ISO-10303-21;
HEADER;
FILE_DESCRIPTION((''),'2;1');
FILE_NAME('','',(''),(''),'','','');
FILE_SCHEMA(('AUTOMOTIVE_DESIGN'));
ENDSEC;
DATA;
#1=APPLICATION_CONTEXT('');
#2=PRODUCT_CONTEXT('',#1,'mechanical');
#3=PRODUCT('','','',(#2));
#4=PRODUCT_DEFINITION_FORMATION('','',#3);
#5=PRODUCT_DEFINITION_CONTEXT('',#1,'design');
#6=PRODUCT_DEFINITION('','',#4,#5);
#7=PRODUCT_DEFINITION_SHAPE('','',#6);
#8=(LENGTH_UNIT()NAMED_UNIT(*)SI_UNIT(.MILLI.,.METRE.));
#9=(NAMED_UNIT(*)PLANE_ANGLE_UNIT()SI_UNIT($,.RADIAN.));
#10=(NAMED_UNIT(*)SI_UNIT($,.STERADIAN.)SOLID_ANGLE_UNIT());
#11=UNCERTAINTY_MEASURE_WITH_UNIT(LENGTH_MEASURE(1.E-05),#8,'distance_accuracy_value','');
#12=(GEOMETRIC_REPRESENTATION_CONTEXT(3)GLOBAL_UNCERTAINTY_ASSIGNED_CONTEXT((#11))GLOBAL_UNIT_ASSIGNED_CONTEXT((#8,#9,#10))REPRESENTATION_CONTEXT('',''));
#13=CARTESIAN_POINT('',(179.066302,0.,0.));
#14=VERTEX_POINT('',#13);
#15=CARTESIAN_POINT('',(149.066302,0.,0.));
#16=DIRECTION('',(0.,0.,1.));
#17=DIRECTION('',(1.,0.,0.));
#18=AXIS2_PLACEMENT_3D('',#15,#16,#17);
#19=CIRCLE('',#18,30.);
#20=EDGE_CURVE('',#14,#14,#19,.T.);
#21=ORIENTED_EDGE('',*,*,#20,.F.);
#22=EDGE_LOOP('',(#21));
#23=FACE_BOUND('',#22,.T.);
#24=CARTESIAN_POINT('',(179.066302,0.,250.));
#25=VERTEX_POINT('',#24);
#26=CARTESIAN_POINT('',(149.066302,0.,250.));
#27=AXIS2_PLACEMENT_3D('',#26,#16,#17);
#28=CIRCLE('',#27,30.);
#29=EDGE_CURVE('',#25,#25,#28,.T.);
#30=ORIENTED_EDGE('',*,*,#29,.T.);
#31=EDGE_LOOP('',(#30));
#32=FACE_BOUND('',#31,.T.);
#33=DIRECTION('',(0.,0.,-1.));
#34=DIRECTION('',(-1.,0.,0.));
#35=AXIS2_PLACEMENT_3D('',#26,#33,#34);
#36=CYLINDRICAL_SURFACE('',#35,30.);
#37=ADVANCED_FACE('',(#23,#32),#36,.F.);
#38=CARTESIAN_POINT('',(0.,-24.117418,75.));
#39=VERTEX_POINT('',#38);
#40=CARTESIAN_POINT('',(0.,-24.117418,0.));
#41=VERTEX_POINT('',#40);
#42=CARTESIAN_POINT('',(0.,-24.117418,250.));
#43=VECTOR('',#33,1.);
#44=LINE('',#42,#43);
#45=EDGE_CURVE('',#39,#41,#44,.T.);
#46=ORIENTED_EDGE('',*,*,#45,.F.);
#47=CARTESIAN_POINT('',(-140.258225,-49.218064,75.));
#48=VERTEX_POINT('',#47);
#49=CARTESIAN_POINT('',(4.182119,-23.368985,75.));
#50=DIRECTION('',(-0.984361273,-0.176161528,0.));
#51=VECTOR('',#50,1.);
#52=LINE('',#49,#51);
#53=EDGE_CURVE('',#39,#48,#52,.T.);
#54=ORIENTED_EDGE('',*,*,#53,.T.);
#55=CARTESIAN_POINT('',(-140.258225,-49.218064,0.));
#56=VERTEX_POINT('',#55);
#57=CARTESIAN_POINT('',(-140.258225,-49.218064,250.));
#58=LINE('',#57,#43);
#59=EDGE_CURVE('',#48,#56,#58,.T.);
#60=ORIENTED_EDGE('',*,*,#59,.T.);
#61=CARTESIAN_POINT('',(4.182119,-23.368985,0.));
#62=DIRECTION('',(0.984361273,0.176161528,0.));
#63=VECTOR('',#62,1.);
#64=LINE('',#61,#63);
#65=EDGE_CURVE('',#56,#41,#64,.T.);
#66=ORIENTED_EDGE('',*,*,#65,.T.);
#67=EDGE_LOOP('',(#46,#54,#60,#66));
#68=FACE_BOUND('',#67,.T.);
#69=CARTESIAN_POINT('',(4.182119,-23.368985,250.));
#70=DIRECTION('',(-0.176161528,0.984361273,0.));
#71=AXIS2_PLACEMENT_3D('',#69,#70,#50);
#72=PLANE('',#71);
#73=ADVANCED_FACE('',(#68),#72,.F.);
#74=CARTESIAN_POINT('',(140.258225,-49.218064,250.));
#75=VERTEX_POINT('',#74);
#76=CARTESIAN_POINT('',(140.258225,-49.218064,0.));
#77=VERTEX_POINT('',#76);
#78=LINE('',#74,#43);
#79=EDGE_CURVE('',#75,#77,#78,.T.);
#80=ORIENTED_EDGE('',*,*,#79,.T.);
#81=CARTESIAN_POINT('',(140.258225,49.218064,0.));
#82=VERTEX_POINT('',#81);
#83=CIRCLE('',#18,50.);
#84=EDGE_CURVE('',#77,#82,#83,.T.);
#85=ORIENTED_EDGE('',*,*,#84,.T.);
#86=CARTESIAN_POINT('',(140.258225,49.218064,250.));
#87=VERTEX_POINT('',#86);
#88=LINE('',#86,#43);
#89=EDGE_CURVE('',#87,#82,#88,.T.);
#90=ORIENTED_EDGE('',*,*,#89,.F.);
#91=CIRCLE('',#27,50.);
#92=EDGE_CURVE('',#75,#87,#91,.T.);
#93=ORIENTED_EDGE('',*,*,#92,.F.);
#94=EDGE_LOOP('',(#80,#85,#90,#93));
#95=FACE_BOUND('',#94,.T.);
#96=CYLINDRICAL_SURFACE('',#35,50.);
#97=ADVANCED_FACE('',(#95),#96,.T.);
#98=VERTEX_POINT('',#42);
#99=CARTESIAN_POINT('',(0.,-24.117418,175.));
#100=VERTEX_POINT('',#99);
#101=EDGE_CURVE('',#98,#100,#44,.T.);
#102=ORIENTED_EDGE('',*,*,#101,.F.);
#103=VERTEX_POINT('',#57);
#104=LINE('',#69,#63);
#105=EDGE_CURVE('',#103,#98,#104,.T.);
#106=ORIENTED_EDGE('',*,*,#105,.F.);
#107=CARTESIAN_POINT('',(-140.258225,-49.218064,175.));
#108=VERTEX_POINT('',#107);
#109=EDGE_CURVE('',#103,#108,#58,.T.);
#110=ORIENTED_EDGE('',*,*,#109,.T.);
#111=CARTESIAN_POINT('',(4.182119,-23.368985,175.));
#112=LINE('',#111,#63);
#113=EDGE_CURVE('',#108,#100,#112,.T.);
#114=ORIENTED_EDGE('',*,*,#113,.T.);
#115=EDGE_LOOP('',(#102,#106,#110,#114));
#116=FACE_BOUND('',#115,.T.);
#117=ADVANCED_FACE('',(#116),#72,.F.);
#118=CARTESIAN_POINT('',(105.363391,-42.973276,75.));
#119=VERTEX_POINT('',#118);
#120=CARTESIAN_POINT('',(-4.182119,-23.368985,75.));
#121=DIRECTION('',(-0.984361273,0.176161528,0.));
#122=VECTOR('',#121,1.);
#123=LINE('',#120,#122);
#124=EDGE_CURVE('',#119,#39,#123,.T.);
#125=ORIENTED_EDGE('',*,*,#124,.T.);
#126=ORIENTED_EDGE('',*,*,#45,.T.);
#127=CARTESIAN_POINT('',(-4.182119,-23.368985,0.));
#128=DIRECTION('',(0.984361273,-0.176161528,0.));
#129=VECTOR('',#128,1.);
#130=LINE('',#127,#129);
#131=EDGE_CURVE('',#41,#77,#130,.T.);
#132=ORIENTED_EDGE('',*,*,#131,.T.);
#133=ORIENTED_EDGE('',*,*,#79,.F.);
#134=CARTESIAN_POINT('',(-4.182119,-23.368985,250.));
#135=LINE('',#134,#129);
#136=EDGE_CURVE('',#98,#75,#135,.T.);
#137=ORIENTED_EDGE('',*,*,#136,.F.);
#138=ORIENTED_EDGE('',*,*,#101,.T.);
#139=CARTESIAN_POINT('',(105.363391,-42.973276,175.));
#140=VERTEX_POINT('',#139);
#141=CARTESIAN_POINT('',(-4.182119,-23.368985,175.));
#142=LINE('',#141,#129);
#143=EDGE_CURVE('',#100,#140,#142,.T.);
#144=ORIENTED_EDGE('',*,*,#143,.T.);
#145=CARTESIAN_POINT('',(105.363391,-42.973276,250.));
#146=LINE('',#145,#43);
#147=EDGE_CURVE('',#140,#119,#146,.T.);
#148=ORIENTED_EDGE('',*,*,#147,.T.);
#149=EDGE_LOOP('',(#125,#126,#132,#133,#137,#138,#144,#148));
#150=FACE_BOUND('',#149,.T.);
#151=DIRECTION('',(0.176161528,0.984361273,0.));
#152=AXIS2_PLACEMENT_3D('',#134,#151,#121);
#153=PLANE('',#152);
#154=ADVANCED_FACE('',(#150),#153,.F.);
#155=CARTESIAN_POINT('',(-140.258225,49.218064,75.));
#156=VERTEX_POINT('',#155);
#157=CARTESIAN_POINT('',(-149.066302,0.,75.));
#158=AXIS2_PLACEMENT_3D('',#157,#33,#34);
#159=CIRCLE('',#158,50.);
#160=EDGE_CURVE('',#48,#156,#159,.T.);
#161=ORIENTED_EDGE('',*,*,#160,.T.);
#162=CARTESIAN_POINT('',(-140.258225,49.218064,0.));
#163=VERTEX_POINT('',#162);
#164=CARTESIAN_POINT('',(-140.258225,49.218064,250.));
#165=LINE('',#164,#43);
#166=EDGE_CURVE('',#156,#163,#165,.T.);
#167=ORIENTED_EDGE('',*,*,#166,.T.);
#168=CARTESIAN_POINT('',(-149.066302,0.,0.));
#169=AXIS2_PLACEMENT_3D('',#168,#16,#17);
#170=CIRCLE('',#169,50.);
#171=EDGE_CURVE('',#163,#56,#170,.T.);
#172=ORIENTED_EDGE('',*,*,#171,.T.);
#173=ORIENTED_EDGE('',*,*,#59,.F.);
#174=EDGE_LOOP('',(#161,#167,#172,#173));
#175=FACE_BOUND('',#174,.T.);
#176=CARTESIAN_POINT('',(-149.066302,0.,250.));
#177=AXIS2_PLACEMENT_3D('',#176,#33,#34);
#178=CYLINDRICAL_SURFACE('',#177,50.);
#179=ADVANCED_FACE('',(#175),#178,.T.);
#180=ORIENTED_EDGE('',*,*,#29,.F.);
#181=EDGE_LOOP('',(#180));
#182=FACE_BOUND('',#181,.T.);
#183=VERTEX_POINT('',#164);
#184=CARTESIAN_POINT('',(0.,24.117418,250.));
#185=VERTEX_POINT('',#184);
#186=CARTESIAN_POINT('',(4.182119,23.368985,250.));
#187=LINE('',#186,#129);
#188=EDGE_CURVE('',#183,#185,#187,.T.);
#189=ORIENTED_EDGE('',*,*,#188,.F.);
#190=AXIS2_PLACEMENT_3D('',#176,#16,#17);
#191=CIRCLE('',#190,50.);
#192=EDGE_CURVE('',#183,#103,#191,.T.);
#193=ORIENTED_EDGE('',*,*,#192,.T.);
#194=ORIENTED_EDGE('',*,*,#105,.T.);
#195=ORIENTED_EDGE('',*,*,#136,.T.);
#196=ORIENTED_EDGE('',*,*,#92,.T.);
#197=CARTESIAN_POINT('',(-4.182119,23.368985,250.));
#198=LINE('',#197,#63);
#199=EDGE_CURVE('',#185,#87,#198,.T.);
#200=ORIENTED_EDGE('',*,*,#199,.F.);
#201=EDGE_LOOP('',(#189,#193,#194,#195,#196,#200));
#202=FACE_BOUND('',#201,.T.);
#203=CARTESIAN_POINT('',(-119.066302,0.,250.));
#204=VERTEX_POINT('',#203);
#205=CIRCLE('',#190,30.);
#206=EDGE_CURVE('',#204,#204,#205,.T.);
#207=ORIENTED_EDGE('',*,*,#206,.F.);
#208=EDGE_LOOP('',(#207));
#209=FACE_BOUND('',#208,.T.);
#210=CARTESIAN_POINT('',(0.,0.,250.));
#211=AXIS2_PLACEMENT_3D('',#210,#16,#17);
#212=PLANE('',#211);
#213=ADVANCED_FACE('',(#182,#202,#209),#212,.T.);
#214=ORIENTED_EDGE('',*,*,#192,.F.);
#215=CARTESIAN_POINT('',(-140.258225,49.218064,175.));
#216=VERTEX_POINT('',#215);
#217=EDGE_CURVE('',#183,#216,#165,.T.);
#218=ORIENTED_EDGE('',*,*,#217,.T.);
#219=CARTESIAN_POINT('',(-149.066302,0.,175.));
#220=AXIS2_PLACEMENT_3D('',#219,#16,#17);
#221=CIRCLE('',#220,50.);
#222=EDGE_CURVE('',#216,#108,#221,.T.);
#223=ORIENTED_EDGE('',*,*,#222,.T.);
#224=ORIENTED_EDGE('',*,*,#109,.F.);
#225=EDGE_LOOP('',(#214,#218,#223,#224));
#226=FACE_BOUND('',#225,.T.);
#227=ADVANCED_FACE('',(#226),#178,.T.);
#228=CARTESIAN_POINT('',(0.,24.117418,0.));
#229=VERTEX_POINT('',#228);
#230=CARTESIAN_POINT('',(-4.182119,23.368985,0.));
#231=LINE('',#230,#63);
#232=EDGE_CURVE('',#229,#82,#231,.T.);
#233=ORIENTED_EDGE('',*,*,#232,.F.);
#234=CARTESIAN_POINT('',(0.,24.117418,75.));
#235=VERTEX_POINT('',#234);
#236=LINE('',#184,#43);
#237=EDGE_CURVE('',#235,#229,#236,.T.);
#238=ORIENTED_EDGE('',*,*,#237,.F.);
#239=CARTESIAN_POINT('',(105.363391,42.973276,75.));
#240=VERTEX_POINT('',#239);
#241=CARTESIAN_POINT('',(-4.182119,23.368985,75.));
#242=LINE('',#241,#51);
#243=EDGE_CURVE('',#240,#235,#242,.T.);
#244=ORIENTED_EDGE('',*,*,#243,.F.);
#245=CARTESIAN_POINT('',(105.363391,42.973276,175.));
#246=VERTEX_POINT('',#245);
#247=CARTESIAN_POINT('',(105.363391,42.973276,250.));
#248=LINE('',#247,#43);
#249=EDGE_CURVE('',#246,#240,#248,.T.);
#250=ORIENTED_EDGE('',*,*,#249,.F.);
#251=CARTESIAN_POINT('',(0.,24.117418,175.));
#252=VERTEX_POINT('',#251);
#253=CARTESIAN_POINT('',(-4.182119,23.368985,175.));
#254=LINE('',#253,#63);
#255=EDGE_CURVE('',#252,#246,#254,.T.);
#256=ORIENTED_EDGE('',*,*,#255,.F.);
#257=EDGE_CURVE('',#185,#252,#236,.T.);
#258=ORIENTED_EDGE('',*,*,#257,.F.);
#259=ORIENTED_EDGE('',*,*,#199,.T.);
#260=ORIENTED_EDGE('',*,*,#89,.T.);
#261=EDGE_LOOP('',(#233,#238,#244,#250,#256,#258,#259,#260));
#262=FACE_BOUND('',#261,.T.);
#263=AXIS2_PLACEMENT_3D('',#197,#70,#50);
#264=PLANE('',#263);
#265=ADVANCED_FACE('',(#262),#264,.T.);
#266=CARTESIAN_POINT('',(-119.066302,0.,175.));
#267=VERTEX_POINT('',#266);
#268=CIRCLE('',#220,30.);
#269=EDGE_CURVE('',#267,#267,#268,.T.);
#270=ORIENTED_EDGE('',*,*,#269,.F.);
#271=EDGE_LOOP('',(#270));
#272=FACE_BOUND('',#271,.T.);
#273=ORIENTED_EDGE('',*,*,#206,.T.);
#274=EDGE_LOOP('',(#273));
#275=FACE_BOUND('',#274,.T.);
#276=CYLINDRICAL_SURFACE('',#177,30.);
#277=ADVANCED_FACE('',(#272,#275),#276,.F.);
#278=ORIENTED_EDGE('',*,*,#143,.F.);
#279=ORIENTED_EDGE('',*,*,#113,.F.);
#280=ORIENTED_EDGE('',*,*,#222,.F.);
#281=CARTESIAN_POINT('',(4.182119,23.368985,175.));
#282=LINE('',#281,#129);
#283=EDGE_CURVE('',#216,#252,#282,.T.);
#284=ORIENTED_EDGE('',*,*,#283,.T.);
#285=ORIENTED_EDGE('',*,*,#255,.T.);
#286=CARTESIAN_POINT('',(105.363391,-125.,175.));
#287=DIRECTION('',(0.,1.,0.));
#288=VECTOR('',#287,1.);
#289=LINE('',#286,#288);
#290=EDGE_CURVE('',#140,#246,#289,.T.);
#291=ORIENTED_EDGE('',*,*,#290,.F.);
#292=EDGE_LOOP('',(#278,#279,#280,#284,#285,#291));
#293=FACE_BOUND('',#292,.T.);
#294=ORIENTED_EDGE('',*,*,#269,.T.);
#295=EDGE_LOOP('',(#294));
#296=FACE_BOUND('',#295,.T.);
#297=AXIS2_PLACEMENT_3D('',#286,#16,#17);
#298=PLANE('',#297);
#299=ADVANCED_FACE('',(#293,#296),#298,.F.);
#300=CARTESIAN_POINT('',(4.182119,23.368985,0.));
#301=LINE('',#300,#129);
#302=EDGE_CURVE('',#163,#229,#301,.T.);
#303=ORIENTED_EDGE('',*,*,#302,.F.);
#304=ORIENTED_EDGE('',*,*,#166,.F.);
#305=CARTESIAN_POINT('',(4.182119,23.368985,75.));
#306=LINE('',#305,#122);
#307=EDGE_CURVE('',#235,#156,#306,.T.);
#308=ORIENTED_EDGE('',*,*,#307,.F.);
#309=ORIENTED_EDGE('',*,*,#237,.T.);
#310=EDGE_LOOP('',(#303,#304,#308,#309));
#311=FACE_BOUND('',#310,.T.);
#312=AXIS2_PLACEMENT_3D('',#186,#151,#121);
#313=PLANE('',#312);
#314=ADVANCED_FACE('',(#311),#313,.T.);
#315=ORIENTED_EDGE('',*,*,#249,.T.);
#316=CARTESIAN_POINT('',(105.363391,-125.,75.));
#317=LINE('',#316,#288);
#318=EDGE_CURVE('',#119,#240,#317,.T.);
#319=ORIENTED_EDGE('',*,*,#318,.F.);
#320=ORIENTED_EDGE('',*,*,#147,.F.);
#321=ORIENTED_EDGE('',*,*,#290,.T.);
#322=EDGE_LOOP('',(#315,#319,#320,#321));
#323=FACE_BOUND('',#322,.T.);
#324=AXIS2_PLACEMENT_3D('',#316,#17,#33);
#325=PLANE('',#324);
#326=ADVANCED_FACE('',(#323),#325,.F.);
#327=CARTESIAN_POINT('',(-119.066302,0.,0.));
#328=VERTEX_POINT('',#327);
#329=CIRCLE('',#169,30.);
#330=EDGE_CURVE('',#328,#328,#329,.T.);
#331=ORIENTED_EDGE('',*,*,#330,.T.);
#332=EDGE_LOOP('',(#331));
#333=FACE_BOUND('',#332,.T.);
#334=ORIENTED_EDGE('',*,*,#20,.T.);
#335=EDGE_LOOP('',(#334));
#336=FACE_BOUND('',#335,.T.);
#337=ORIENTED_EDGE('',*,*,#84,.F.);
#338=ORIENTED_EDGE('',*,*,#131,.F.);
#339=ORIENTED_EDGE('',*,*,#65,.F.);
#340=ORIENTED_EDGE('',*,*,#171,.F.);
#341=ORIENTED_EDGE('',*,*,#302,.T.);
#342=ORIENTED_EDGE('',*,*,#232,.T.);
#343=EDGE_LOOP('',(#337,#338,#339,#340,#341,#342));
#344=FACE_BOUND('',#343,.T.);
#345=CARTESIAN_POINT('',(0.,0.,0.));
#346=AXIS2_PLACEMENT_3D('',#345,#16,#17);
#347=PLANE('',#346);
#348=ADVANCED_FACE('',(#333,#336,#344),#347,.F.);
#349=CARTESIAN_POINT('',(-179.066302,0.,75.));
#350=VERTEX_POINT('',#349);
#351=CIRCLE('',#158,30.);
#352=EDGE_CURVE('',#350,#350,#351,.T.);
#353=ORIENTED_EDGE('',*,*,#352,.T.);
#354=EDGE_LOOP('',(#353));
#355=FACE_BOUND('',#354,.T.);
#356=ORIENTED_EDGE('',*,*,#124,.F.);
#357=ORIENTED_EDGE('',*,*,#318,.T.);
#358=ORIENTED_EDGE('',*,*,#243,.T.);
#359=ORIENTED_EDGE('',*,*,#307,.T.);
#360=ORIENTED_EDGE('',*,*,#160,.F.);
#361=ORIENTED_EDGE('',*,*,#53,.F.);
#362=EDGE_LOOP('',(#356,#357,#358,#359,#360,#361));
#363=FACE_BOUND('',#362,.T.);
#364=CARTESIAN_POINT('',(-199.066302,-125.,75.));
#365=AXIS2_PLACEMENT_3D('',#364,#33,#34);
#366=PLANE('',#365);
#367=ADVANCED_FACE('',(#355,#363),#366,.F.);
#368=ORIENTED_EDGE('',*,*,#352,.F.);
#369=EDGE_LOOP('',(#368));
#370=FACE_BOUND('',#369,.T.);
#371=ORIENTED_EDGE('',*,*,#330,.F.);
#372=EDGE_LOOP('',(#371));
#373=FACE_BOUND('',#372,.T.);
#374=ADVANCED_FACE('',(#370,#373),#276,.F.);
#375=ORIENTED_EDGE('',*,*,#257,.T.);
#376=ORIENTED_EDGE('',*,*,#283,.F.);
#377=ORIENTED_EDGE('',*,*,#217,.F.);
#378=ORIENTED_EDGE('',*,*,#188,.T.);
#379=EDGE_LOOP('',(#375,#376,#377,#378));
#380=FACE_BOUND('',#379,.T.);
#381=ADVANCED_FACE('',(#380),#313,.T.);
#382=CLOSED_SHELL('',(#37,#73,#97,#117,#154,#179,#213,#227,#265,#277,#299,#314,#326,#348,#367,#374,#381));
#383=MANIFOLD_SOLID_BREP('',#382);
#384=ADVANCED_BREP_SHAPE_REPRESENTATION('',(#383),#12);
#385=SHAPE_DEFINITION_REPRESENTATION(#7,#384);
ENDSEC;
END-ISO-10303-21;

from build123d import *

# Parameters (mm, degrees)
SKETCH1_R           = 50
SKETCH1_R_2         = 30
BOSS_EXTRUDE1_DEPTH = 250
CUT_EXTRUDE1_DEPTH  = 125


with BuildPart() as part:
    # Sketch1 → Boss-Extrude1 (new body)
    with BuildSketch(Plane.XY):
        with Locations((-149.066301709, 0)):
            Circle(SKETCH1_R)
        with Locations((-149.066301709, 0)):
            Circle(SKETCH1_R_2, mode=Mode.SUBTRACT)
        with BuildLine():
            Line((0, 24.117418171), (-140.258226128, 49.218063803))
            ThreePointArc((-140.258226128, 49.218063803), (-110.72308993, 32.090467595), (-99.066301709, 0))
            ThreePointArc((-99.066301709, 0), (-110.72309003, -32.090467715), (-140.258226436, -49.218063859))
            Line((-140.258226436, -49.218063859), (0, -24.117418171))
            Line((0, -24.117418171), (140.258224826, -49.21806357))
            ThreePointArc((140.258224826, -49.21806357), (99.066301709, 3.12e-07), (140.258225441, 49.21806368))
            Line((140.258225441, 49.21806368), (0, 24.117418171))
        make_face()
        with Locations((149.066301709, 0)):
            Circle(SKETCH1_R)
        with Locations((149.066301709, 0)):
            Circle(SKETCH1_R_2, mode=Mode.SUBTRACT)
    extrude(amount=BOSS_EXTRUDE1_DEPTH)

    # Sketch2 → Cut-Extrude1 (cut, symmetric)
    with BuildSketch(Plane(origin=(0, 0, 0), x_dir=(1, 0, 0), z_dir=(0, 1, 0))):
        Polygon((-199.066301709, -75), (105.363390816, -75), (105.363390816, -125), (105.363390816, -175), (-199.066301709, -175), align=None)
    extrude(amount=CUT_EXTRUDE1_DEPTH, both=True, mode=Mode.SUBTRACT)


solid = part.part
